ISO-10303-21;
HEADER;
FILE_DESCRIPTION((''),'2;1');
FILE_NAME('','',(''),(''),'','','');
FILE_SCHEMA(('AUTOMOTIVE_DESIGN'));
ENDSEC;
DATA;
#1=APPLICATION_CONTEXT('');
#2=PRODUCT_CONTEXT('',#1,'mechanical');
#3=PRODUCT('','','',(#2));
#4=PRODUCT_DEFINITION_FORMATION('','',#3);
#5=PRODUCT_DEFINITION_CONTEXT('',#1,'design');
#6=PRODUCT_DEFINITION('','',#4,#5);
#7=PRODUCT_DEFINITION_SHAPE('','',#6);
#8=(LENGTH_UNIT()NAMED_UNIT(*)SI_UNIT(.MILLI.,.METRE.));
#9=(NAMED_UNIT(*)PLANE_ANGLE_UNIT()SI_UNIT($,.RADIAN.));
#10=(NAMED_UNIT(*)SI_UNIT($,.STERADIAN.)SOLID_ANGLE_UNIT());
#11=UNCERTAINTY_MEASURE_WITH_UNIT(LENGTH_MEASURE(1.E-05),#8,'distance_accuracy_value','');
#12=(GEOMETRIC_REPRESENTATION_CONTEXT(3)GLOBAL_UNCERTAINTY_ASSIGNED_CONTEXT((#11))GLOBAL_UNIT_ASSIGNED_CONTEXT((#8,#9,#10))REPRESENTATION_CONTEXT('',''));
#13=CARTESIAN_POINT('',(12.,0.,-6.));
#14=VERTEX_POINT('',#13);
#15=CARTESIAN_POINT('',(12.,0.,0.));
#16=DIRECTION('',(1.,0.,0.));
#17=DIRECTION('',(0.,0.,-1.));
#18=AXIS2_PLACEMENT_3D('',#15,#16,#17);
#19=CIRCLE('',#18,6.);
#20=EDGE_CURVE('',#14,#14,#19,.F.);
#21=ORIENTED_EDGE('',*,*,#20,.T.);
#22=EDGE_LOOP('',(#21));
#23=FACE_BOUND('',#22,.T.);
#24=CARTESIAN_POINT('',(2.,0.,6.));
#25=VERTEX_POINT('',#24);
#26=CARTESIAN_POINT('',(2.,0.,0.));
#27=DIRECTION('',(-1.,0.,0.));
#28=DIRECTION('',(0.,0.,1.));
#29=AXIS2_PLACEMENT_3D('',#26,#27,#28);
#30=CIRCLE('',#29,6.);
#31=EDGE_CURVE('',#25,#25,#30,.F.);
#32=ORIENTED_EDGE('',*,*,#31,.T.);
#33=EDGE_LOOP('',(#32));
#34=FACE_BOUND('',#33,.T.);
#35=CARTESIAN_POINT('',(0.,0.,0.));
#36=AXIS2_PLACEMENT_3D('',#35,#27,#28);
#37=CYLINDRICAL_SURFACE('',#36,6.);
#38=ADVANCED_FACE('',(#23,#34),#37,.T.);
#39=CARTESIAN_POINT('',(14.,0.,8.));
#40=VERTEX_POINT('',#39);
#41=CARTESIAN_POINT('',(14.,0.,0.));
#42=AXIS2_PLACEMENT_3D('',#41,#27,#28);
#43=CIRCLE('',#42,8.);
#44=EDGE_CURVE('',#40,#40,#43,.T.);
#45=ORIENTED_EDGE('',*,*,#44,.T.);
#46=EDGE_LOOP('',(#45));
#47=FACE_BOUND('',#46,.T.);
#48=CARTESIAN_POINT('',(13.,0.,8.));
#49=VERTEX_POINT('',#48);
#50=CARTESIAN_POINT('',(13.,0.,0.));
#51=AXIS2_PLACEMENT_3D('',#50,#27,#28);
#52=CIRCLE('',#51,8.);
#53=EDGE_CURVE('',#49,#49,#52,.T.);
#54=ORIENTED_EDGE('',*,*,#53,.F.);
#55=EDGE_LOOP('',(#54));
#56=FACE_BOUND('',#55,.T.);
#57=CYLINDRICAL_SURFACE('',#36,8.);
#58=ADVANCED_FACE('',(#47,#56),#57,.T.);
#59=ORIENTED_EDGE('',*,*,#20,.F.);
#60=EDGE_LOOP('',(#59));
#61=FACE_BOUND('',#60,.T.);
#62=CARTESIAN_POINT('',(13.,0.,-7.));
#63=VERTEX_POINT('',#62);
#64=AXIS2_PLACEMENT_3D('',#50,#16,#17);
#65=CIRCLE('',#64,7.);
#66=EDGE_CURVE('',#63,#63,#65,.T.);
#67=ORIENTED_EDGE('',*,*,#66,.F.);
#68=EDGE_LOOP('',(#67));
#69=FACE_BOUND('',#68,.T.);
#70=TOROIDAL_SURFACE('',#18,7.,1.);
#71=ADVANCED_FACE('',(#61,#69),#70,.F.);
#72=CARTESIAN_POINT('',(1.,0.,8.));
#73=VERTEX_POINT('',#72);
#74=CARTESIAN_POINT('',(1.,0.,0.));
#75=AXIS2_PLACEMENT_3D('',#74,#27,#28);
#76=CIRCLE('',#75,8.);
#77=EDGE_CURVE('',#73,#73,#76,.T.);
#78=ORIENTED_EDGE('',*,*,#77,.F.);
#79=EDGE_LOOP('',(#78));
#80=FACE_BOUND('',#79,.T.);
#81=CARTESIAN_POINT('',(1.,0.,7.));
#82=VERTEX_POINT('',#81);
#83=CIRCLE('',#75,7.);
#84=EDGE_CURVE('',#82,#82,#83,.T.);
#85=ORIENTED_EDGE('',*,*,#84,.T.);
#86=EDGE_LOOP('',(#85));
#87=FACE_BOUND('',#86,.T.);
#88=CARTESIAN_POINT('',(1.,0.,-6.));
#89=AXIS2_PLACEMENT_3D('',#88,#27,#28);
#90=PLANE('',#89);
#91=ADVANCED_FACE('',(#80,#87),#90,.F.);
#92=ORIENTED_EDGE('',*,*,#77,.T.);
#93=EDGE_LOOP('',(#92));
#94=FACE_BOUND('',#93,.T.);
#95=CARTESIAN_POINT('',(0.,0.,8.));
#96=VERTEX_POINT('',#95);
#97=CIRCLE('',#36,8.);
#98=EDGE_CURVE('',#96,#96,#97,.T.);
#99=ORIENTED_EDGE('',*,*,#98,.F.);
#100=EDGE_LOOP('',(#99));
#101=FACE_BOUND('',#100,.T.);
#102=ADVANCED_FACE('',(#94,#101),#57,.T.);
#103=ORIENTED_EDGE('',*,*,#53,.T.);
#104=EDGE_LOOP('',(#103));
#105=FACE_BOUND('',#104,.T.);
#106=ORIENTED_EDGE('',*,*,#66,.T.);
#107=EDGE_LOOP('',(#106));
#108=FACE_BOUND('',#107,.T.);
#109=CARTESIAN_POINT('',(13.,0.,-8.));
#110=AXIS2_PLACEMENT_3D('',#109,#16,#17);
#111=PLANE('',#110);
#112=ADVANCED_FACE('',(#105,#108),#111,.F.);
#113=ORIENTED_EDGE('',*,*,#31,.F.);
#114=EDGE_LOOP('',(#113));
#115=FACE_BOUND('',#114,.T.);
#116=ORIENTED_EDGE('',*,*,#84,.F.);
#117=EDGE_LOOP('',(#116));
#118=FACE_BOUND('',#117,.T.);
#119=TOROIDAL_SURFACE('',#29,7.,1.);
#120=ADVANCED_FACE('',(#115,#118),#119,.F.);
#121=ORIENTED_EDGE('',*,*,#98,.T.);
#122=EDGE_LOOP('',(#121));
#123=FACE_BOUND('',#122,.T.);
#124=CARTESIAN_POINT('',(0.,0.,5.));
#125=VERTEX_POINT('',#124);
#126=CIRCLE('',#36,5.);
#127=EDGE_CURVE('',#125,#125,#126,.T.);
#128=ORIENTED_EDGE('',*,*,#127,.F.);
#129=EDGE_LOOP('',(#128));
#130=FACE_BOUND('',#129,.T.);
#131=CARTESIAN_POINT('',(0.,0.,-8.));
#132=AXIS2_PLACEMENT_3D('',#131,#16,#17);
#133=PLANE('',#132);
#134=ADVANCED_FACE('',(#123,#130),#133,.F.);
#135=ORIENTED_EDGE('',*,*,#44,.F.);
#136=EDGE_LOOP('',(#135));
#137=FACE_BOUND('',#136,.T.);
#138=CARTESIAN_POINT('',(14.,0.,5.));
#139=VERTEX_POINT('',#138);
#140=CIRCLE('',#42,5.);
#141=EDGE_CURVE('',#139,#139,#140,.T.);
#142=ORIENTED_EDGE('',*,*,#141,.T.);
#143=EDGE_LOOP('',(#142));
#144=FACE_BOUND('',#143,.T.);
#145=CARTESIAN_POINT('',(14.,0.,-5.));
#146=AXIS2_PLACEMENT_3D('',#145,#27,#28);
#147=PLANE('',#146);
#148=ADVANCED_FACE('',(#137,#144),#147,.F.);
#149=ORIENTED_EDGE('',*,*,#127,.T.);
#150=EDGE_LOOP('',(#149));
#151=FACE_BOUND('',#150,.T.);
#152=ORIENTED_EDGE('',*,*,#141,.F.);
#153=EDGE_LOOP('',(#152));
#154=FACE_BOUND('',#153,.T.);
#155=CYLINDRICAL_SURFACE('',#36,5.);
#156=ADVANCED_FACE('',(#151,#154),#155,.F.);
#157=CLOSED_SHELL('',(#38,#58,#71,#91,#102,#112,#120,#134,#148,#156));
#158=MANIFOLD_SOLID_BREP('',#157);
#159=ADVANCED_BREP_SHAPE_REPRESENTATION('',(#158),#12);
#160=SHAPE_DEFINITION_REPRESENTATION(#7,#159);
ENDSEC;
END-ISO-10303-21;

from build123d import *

# Parameters (mm, degrees)
FILLET1_R = 1


with BuildPart() as part:
    # Sketch1 → Revolve1 (revolve)
    with BuildSketch(Plane(origin=(0, 0, 0), x_dir=(1, 0, 0), z_dir=(0, 1, 0)), mode=Mode.PRIVATE) as revolve1_sk:
        Polygon((0, 8), (0, 5), (14, 5), (14, 8), (13, 8), (13, 6), (1, 6), (1, 8), align=None)
    revolve(revolve1_sk.sketch.rotate(Axis((0, 0, 0), (1, 0, 0)), 180), axis=Axis((0, 0, 0), (1, 0, 0)))

    # Fillet1
    fillet1_edges = [part.edges().sort_by_distance(p)[0] for p in [
        (1, 0, -6),
        (13, 0, -6),
    ]]
    fillet(fillet1_edges, radius=FILLET1_R)


solid = part.part
